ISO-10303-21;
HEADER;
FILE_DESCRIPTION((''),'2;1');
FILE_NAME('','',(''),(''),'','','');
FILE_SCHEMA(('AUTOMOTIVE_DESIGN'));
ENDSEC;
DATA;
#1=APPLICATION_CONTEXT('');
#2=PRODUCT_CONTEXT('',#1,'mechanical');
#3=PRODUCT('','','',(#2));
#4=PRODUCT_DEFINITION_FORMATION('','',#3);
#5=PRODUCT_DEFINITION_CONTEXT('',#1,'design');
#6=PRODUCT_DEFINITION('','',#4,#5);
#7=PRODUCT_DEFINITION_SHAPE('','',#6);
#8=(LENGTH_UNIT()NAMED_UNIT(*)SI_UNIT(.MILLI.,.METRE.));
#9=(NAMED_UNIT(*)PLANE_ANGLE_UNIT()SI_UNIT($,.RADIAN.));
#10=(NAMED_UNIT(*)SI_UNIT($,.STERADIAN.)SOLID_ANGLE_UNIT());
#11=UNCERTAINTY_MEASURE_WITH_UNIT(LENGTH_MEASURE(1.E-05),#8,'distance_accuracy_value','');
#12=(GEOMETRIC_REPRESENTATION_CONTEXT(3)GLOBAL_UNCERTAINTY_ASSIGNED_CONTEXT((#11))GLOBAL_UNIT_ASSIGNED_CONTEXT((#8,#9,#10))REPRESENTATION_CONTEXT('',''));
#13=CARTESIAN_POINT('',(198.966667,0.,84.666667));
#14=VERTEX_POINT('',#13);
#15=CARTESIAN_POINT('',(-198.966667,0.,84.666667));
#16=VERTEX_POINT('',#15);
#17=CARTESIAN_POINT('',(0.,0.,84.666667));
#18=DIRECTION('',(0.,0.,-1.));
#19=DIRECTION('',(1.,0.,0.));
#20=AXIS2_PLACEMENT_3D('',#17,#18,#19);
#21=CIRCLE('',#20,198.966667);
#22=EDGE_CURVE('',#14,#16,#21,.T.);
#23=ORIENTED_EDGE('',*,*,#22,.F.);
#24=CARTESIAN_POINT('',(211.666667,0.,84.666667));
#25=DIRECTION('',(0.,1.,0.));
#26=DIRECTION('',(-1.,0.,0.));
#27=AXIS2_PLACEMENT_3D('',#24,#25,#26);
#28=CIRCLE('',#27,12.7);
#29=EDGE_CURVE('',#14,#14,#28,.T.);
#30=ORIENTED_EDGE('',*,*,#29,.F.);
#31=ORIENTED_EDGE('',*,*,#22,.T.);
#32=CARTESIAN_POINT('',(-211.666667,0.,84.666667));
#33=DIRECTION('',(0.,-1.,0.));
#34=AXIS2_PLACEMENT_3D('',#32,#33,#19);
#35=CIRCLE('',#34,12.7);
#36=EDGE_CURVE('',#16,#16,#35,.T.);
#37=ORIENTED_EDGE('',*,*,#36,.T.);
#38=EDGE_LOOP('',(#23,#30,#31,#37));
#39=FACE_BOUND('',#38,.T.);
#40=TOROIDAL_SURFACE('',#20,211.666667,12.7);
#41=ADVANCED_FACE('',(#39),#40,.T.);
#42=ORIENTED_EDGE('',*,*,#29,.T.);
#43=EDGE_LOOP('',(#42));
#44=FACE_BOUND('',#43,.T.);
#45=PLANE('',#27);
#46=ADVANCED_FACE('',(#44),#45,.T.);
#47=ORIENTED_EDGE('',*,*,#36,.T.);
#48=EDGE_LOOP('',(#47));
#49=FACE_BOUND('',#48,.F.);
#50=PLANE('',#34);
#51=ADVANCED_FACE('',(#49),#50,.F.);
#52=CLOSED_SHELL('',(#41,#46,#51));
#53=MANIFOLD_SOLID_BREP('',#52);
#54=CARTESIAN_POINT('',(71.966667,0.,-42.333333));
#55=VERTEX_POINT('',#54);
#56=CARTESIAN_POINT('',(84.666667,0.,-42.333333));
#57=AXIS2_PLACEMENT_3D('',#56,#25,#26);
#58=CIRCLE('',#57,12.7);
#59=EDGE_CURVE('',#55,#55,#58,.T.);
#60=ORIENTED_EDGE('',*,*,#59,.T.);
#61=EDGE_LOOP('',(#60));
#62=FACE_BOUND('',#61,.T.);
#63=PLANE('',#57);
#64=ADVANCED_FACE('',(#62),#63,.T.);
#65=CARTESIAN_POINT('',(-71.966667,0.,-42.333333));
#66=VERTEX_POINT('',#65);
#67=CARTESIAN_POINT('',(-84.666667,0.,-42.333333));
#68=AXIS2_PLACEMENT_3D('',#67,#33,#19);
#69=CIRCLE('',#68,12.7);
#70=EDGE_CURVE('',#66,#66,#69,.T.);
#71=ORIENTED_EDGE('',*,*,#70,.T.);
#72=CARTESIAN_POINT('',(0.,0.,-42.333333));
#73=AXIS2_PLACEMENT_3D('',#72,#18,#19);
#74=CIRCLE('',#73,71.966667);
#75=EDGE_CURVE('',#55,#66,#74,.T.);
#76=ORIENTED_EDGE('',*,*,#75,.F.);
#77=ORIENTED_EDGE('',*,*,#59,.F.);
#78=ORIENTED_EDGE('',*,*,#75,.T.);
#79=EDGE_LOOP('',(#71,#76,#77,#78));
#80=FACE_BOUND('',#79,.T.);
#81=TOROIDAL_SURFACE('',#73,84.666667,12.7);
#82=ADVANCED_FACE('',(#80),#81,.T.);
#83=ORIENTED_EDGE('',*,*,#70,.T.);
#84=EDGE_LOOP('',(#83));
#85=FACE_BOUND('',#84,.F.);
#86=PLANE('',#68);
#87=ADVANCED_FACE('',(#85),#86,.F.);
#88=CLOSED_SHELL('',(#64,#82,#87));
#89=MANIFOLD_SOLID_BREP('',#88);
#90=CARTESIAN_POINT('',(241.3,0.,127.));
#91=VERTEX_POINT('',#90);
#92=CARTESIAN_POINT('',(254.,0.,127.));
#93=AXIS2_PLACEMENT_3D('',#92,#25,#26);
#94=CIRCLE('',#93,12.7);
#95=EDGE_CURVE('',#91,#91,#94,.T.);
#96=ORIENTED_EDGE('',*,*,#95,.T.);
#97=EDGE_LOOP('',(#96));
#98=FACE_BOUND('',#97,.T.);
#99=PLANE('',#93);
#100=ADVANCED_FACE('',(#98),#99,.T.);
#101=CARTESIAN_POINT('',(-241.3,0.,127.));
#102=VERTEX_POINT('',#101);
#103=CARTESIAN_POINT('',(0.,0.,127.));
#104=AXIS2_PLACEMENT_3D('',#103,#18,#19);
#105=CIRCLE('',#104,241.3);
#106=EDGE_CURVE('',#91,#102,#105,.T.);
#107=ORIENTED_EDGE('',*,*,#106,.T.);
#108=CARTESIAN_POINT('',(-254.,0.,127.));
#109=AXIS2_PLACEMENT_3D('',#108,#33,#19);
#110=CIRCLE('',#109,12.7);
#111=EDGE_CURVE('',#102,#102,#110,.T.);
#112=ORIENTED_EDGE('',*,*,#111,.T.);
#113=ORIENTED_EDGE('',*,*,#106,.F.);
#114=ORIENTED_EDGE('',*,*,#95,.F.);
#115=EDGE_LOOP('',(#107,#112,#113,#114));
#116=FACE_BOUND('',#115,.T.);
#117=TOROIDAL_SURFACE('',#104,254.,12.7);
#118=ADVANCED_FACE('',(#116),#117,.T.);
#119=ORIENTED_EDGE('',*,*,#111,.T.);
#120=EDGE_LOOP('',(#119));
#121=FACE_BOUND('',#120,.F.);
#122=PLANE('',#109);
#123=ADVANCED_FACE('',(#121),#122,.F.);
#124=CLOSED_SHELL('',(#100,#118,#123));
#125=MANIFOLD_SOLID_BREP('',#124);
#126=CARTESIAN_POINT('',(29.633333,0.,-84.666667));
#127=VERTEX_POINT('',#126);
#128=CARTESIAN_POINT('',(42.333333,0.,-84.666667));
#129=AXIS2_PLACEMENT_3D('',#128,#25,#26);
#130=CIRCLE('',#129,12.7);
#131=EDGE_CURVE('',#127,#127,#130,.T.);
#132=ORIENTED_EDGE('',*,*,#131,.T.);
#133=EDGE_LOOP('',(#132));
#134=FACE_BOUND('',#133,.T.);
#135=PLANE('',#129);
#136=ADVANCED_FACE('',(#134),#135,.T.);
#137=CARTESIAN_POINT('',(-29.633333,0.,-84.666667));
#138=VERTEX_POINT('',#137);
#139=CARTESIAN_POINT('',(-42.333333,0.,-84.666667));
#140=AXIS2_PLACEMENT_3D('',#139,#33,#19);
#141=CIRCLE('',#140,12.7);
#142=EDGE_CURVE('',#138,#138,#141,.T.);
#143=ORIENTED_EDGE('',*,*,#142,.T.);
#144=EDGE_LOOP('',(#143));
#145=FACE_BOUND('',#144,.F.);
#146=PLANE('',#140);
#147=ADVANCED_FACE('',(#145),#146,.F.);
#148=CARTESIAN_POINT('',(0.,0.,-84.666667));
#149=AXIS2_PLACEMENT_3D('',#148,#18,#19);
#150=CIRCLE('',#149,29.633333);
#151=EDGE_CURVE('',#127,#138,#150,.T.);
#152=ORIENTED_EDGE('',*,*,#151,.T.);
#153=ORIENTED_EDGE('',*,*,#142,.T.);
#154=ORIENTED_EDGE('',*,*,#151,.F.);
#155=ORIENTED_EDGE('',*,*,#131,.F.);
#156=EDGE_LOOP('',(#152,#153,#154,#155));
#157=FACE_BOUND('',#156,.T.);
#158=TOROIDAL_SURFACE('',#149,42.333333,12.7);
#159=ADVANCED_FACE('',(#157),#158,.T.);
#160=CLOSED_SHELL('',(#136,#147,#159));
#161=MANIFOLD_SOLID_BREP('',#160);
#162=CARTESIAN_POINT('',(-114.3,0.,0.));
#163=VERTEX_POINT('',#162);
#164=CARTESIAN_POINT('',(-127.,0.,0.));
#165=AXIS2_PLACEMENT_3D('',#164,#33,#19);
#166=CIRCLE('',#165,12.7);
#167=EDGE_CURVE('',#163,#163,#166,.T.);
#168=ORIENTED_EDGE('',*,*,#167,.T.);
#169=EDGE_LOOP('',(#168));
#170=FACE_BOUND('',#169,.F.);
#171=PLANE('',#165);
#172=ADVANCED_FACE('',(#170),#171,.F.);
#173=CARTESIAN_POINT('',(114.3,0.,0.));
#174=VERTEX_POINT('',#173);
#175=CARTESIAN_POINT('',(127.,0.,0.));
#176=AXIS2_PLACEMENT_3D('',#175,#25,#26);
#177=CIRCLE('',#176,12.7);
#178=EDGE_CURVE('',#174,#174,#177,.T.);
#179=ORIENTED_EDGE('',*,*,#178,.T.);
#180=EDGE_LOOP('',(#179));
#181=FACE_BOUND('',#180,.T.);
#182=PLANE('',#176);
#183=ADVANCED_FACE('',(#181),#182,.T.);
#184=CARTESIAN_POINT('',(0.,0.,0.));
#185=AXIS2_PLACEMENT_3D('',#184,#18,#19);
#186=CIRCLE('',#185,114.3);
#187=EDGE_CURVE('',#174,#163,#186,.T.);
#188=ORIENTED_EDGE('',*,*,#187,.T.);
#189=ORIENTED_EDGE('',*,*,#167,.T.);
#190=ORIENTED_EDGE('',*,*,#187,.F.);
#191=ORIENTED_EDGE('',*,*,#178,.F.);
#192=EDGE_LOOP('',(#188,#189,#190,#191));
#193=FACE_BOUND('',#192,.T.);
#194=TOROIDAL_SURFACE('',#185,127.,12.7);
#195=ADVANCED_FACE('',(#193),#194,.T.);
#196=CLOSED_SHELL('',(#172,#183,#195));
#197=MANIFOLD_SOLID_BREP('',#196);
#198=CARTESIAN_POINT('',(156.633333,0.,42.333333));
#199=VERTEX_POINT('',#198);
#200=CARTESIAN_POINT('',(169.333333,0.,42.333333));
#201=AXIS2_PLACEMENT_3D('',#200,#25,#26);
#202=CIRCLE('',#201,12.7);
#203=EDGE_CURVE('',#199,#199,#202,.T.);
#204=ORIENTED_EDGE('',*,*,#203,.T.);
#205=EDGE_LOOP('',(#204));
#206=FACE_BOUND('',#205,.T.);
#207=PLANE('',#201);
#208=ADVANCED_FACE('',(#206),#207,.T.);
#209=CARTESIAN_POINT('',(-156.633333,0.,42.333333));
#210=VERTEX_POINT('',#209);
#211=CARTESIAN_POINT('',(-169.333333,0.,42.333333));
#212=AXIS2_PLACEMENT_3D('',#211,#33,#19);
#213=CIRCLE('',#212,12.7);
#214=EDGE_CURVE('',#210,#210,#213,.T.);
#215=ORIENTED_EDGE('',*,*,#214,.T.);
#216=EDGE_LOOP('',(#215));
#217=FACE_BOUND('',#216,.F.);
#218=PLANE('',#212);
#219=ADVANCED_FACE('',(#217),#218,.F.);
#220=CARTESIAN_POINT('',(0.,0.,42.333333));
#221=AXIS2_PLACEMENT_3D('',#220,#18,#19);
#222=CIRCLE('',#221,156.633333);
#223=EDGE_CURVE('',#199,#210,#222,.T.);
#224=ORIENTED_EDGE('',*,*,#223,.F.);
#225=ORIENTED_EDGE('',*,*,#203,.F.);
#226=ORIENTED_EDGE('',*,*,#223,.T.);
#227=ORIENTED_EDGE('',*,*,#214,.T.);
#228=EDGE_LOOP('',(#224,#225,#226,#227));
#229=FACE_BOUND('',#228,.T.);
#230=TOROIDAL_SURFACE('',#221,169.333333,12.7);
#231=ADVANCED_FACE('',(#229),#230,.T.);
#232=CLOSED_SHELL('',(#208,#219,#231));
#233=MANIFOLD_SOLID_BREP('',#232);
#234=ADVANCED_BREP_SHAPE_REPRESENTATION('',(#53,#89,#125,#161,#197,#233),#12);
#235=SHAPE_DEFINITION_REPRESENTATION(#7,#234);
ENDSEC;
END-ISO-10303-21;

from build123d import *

# Parameters (mm, degrees)
F0_R          = 12.7
F1_ANGLE_BACK = 90
F1_ANGLE      = 180
F2_ANGLE_BACK = 90
F2_ANGLE      = 180
F3_ANGLE_BACK = 90
F3_ANGLE      = 180
F4_ANGLE_BACK = 90
F4_ANGLE      = 180


with BuildPart() as f1:
    # F0 (on Right) → F1 (revolve)
    with BuildSketch(Plane.YZ, mode=Mode.PRIVATE) as f1_sk:
        with Locations((-42.3333333333, -84.6666666667)):
            Circle(F0_R)
    revolve(f1_sk.sketch.rotate(Axis((0, 0, -3.574101096), (0, 0, -1)), -F1_ANGLE_BACK), axis=Axis((0, 0, -3.574101096), (0, 0, -1)), revolution_arc=F1_ANGLE)


with BuildPart() as f2:
    # F0 (on Right) → F2 (revolve)
    with BuildSketch(Plane.YZ, mode=Mode.PRIVATE) as f2_sk:
        with Locations((-84.6666666667, -42.3333333333)):
            Circle(F0_R)
    revolve(f2_sk.sketch.rotate(Axis((0, 0, -3.574101096), (0, 0, -1)), -F2_ANGLE_BACK), axis=Axis((0, 0, -3.574101096), (0, 0, -1)), revolution_arc=F2_ANGLE)


with BuildPart() as f3:
    # F0 (on Right) → F3 (revolve)
    with BuildSketch(Plane.YZ, mode=Mode.PRIVATE) as f3_sk:
        with Locations((-127, 0)):
            Circle(F0_R)
    revolve(f3_sk.sketch.rotate(Axis((0, 0, -3.574101096), (0, 0, -1)), -F3_ANGLE_BACK), axis=Axis((0, 0, -3.574101096), (0, 0, -1)), revolution_arc=F3_ANGLE)


with BuildPart() as f4:
    # F0 (on Right) → F4 (revolve)
    with BuildSketch(Plane.YZ, mode=Mode.PRIVATE) as f4_sk:
        with Locations((-169.3333333333, 42.3333333333)):
            Circle(F0_R)
    revolve(f4_sk.sketch.rotate(Axis((0, 0, -3.574101096), (0, 0, -1)), -F4_ANGLE_BACK), axis=Axis((0, 0, -3.574101096), (0, 0, -1)), revolution_arc=F4_ANGLE)


with BuildPart() as f4b:
    # F0 (on Right) → F4, piece 2 (revolve)
    with BuildSketch(Plane.YZ, mode=Mode.PRIVATE) as f4_sk:
        with Locations((-211.6666666667, 84.6666666667)):
            Circle(F0_R)
    revolve(f4_sk.sketch.rotate(Axis((0, 0, -3.574101096), (0, 0, -1)), -F4_ANGLE_BACK), axis=Axis((0, 0, -3.574101096), (0, 0, -1)), revolution_arc=F4_ANGLE)


with BuildPart() as f4c:
    # F0 (on Right) → F4, piece 3 (revolve)
    with BuildSketch(Plane.YZ, mode=Mode.PRIVATE) as f4_sk:
        with Locations((-254, 127)):
            Circle(F0_R)
    revolve(f4_sk.sketch.rotate(Axis((0, 0, -3.574101096), (0, 0, -1)), -F4_ANGLE_BACK), axis=Axis((0, 0, -3.574101096), (0, 0, -1)), revolution_arc=F4_ANGLE)


solid = Compound([f1.part, f2.part, f3.part, f4.part, f4b.part, f4c.part])
